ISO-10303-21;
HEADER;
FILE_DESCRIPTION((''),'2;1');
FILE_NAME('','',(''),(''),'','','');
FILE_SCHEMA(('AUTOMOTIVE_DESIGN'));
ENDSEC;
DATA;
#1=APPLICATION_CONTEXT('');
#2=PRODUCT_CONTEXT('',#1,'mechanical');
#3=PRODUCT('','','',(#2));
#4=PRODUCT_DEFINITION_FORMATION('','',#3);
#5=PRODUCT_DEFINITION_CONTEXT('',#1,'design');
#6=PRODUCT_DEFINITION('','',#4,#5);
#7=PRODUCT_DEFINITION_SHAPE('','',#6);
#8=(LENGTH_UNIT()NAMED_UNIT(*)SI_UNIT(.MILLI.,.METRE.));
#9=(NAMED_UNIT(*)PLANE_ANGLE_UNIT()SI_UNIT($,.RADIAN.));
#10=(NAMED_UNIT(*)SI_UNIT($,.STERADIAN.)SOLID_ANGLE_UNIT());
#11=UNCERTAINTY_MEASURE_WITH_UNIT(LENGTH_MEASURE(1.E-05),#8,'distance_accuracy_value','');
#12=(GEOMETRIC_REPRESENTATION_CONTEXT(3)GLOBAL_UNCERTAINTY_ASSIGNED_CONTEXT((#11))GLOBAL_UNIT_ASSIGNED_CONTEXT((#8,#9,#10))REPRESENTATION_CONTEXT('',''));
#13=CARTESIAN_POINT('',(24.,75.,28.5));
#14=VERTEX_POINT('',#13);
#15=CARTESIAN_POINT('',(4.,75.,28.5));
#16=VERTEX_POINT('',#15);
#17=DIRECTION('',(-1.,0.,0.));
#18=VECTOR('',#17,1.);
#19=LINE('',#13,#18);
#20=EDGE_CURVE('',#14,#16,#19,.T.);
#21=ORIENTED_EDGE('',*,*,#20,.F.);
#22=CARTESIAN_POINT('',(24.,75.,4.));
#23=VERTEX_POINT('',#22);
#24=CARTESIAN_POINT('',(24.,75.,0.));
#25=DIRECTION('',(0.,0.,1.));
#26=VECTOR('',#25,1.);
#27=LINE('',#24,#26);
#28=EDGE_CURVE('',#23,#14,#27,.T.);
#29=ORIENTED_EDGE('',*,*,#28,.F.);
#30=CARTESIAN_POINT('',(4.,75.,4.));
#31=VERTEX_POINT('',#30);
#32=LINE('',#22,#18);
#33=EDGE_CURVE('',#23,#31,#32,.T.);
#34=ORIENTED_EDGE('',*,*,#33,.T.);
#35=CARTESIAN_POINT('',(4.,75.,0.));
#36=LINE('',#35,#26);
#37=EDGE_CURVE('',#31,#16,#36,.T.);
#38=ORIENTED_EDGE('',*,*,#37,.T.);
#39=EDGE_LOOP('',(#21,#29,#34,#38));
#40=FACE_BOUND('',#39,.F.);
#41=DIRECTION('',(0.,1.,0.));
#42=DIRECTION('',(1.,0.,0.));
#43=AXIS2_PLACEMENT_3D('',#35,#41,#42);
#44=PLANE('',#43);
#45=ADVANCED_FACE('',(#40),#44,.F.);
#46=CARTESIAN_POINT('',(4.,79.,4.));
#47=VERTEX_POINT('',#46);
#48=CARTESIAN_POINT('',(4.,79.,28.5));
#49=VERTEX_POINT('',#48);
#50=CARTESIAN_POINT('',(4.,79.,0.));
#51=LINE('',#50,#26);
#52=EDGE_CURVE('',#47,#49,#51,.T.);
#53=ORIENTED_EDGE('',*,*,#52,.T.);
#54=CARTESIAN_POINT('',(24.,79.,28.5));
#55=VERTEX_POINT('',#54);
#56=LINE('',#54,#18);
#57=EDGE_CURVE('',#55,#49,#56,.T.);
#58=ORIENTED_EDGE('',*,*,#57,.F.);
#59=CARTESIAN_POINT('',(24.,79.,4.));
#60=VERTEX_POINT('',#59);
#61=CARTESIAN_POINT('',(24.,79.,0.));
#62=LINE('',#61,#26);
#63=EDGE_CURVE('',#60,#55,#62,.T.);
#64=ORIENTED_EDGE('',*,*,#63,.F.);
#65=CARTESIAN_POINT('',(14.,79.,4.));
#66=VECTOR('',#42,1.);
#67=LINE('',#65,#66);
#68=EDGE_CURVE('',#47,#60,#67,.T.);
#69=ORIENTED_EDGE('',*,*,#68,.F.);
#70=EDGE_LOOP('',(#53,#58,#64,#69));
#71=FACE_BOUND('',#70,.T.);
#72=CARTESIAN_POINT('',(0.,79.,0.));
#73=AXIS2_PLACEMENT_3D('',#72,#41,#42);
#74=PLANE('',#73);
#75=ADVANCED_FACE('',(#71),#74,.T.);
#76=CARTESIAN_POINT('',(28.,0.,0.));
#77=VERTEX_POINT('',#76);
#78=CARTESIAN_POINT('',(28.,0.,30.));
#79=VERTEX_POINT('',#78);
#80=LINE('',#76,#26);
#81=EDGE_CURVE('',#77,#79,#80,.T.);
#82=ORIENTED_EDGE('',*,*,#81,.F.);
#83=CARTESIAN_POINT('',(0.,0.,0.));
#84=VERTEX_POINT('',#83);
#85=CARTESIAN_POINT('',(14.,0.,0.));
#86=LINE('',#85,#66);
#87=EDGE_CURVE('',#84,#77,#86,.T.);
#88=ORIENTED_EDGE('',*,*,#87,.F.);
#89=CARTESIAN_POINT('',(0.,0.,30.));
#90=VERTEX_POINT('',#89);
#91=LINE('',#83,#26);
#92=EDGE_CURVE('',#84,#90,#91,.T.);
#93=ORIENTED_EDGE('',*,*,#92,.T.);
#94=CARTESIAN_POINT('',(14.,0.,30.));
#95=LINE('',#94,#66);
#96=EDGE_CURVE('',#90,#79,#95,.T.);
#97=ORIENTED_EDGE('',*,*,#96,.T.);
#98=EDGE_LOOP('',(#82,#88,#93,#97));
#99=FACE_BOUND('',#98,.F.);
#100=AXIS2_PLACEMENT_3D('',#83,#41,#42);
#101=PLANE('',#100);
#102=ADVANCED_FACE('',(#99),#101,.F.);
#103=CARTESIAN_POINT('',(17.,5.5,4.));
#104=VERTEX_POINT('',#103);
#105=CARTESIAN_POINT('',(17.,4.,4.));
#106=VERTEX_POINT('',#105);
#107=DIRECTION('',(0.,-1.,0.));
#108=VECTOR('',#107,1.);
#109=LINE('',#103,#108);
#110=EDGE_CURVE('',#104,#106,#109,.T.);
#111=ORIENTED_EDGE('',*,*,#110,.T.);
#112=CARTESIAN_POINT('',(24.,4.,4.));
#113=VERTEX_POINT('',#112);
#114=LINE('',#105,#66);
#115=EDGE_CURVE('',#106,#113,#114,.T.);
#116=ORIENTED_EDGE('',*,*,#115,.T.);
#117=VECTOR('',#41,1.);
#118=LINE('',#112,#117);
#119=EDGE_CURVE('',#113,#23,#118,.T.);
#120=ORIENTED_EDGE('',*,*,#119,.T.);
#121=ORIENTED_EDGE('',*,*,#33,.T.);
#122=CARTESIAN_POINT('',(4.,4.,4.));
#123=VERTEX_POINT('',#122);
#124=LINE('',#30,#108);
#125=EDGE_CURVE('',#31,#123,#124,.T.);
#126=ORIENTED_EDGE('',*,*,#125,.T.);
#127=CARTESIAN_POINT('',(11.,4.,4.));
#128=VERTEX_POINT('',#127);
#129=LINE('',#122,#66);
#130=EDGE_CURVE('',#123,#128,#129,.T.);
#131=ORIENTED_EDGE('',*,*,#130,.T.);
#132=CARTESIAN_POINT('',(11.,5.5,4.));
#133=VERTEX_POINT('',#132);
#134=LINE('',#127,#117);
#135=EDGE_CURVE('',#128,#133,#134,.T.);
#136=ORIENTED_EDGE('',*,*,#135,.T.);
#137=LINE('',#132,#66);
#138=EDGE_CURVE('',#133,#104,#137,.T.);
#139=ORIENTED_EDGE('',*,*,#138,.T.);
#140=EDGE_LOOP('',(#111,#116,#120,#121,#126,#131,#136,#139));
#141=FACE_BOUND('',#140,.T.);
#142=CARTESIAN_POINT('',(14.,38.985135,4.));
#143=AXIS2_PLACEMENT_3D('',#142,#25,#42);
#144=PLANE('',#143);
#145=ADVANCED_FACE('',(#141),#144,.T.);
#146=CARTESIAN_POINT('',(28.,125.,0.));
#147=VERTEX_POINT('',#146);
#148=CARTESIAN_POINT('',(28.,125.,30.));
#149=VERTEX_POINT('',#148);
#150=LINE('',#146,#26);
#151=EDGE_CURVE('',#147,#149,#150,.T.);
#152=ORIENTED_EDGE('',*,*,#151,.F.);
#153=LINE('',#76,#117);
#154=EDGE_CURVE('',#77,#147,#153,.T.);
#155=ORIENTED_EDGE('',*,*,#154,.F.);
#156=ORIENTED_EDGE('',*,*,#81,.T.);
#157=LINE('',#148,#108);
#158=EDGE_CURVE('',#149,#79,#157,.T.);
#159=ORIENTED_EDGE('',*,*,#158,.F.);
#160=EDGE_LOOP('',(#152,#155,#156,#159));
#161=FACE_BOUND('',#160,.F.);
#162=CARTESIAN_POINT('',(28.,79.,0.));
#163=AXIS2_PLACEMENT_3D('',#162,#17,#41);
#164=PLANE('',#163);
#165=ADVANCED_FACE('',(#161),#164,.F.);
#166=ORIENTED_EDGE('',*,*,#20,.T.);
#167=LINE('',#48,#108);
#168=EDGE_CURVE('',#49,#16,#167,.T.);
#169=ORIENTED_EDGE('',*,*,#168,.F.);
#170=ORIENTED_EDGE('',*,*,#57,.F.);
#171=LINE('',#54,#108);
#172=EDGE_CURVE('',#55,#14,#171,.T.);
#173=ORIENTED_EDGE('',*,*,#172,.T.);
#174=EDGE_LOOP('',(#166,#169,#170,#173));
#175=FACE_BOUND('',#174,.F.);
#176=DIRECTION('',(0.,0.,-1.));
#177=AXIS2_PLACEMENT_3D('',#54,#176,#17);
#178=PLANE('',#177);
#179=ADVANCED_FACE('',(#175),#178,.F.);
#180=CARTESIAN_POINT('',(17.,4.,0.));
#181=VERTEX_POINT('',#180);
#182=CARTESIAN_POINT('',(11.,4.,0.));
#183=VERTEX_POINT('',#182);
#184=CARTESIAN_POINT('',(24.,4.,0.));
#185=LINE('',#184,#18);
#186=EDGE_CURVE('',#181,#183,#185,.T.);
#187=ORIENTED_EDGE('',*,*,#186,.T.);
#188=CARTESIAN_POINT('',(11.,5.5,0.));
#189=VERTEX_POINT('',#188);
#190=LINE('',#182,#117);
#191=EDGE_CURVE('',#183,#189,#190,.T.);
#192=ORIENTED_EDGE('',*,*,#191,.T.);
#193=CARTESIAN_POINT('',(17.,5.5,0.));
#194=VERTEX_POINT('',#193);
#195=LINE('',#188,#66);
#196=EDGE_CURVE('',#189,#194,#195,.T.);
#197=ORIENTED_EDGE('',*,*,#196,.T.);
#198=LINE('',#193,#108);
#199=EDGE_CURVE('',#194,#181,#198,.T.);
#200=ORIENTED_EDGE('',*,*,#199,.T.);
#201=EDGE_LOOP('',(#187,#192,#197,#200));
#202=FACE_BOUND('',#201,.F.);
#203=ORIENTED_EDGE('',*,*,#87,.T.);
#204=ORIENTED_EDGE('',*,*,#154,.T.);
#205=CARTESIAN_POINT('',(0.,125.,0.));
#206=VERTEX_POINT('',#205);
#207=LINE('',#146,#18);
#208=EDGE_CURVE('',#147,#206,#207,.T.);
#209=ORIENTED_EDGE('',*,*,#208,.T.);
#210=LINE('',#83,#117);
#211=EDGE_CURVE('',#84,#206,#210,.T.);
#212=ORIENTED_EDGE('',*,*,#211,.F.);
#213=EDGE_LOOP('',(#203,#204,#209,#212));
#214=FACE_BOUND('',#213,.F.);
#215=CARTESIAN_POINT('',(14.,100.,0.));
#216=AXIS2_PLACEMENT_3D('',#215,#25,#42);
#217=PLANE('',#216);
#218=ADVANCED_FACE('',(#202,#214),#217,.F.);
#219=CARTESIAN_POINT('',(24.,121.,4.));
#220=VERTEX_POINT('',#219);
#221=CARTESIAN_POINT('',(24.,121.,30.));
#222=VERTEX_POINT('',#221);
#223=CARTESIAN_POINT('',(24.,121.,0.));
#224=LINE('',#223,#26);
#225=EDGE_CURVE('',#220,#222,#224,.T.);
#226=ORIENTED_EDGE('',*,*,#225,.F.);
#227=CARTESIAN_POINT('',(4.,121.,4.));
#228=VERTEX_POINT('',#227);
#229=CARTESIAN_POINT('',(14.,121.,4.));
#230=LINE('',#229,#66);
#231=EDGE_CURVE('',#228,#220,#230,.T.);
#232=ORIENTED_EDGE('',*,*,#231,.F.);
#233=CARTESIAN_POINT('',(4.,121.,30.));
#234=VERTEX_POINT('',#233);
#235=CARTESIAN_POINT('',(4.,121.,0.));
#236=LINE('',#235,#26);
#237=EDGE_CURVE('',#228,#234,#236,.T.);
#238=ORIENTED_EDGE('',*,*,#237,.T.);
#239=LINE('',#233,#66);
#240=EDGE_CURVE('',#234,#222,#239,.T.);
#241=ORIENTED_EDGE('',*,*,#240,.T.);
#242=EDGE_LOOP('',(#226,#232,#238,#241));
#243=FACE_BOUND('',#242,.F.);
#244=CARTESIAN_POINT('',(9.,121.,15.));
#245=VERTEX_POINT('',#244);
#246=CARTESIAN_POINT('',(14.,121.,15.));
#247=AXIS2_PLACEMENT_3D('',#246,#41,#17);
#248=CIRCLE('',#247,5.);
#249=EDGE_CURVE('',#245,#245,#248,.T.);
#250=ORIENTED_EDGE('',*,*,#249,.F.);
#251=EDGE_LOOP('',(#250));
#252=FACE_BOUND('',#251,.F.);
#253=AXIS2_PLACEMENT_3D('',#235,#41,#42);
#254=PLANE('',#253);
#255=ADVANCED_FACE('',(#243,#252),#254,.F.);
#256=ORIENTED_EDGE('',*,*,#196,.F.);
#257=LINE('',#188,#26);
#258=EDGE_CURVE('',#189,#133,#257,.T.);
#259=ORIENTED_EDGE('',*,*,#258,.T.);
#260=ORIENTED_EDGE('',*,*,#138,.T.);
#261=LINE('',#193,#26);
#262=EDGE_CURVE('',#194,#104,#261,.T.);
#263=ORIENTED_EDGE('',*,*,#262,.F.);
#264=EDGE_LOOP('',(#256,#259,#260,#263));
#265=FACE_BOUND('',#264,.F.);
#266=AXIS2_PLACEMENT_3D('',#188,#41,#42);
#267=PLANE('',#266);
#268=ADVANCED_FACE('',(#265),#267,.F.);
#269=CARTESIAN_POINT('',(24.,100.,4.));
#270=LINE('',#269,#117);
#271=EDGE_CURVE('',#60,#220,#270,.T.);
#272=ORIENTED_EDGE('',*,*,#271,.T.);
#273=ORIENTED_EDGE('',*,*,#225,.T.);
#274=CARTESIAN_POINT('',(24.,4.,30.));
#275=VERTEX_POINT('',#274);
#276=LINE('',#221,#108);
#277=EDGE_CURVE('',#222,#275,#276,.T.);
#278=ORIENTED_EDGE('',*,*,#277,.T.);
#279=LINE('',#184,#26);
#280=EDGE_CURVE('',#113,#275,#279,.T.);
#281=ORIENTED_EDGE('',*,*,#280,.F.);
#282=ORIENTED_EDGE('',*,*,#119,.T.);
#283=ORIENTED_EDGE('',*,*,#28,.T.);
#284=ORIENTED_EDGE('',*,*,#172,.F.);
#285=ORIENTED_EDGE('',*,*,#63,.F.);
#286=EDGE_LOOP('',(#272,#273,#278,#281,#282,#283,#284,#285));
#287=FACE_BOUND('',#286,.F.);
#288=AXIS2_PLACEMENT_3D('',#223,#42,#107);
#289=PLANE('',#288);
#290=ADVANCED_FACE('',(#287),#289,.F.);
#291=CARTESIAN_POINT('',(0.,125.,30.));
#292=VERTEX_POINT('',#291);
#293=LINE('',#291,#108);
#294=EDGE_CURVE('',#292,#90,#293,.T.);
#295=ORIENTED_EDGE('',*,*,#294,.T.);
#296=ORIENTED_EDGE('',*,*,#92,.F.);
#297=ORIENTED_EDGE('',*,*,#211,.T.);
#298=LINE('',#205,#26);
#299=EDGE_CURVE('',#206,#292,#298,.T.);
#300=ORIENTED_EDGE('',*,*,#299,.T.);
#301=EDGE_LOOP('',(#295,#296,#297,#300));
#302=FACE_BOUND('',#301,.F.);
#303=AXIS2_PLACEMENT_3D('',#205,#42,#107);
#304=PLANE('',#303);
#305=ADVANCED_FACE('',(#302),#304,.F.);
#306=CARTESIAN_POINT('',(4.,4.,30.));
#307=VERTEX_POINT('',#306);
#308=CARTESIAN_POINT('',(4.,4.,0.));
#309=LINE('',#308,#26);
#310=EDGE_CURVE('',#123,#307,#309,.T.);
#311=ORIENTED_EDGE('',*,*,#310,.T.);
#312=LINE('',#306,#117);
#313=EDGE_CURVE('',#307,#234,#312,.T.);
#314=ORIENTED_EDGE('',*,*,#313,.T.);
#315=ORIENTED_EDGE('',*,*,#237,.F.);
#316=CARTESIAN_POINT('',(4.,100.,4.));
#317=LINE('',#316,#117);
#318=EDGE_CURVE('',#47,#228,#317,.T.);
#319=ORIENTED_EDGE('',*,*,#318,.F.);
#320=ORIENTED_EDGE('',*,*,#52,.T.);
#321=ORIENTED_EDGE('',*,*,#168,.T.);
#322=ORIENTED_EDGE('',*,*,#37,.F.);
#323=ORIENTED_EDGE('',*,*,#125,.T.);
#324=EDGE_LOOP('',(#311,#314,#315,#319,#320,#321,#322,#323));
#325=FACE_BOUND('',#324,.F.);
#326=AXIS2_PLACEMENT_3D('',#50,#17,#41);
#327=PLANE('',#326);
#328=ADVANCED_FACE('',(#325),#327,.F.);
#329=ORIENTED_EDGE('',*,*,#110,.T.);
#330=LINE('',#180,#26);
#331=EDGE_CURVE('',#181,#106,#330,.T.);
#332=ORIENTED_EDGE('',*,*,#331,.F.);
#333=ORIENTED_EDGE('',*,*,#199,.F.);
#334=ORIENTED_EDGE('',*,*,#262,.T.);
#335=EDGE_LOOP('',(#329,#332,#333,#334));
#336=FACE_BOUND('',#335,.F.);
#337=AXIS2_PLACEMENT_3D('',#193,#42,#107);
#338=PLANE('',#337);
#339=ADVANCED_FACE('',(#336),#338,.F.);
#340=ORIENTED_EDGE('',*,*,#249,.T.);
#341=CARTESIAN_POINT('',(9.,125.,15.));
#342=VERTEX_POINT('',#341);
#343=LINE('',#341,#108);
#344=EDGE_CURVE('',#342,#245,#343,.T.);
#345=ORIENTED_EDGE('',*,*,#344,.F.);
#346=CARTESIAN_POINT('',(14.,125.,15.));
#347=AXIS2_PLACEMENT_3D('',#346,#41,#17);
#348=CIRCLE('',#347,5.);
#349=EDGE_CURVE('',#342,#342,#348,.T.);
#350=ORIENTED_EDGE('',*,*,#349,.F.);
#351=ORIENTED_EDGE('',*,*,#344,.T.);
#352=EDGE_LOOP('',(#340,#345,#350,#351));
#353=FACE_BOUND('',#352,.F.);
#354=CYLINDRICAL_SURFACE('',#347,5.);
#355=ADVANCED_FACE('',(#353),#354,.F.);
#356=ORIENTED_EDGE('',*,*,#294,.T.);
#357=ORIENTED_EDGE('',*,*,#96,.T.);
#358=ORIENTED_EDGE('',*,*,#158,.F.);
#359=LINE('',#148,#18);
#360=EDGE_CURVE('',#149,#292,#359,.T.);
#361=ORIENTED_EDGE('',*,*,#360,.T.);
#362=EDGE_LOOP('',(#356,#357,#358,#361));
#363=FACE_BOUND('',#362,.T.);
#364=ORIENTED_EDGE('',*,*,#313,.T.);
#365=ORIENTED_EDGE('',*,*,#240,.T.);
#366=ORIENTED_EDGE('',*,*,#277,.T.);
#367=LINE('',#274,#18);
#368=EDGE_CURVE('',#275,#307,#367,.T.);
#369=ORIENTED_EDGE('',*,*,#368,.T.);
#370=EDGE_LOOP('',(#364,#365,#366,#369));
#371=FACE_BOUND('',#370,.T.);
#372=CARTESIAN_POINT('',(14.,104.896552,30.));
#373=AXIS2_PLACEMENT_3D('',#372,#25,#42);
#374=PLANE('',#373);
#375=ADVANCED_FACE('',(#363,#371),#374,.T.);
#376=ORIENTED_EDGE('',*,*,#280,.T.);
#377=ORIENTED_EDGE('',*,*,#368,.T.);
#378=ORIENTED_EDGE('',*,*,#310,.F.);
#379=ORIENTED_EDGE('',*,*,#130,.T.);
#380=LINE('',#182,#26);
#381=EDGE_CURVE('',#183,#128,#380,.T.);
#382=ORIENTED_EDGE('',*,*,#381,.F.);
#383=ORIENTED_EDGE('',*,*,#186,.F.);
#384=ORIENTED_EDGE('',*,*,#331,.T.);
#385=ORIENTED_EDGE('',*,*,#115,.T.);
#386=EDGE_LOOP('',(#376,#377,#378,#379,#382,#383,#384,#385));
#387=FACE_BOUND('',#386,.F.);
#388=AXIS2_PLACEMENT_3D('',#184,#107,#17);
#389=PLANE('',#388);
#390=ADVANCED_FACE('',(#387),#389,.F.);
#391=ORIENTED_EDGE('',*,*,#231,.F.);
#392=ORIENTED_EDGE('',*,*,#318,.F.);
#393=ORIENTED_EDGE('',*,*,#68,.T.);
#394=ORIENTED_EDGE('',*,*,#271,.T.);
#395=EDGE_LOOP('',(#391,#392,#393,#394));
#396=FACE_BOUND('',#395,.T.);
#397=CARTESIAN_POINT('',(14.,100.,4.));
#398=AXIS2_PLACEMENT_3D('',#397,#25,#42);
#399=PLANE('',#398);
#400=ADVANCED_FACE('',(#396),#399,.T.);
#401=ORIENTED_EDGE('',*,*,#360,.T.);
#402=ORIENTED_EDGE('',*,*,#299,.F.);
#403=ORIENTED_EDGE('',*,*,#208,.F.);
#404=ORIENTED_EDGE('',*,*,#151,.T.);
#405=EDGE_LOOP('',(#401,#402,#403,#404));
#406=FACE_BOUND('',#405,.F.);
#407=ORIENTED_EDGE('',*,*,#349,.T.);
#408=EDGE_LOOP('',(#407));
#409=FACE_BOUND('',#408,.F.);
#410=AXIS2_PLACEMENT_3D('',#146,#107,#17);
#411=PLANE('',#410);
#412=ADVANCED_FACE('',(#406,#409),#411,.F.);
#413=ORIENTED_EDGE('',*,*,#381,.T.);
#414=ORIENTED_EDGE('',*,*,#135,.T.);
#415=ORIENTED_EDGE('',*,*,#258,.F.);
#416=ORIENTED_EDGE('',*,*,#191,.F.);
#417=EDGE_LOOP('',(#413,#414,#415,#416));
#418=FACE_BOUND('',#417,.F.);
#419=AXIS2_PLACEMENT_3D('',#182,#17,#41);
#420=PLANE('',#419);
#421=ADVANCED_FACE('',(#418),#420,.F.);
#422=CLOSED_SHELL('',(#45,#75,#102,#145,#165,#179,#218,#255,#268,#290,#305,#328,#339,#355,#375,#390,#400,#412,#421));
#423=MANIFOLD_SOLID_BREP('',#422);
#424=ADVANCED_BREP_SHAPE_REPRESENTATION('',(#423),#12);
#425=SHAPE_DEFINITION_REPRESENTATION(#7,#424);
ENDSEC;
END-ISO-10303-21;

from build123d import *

# Parameters (mm, degrees)
F1_DEPTH = 4
F0_W     = 28
F0_H     = 79
F2_DEPTH = 30
F3_W     = 10
F3_H     = 1.5
F4_DEPTH = 4
F6_DEPTH = 30
F5_W     = 20
F5_H     = 42
F7_DEPTH = 4
F8_R     = 5
F9_DEPTH = 4


with BuildPart() as f1:
    # F0 (on Top) → F1 (new body)
    with BuildSketch(Plane.XY):
        Polygon((17, 4), (24, 4), (24, 75), (4, 75), (4, 4), (11, 4), (11, 5.5), (14, 5.5), (17, 5.5), align=None)
    extrude(amount=F1_DEPTH)

    # F0 (on Top) → F2 (join)
    with BuildSketch(Plane.XY):
        with Locations((14, 39.5)):
            Rectangle(F0_W, F0_H)
        Polygon((24, 75), (24, 4), (17, 4), (14, 4), (11, 4), (4, 4), (4, 75), align=None, mode=Mode.SUBTRACT)
    extrude(amount=F2_DEPTH)

    # F3 (on face) → F4 (cut, through all)
    with BuildSketch(Plane(origin=(0, 79, 0), x_dir=(-1, 0, 0), z_dir=(0, 1, 0))):
        with Locations((-9, 29.25)):
            Rectangle(F3_W, F3_H)
        with Locations((-19, 29.25)):
            Rectangle(F3_W, F3_H)
    extrude(amount=-F4_DEPTH, mode=Mode.SUBTRACT)

    # F5 (on Top) → F6 (join)
    with BuildSketch(Plane.XY):
        Polygon((24, 79), (28, 79), (28, 125), (0, 125), (0, 79), (4, 79), (4, 121), (24, 121), align=None)
    extrude(amount=F6_DEPTH)

    # F5 (on Top) → F7 (join)
    with BuildSketch(Plane.XY):
        with Locations((14, 100)):
            Rectangle(F5_W, F5_H)
    extrude(amount=F7_DEPTH)

    # F8 (on face) → F9 (cut, through all)
    with BuildSketch(Plane(origin=(0, 125, 0), x_dir=(-1, 0, 0), z_dir=(0, 1, 0))):
        with Locations((-14, 15)):
            Circle(F8_R)
    extrude(amount=-F9_DEPTH, mode=Mode.SUBTRACT)


solid = f1.part
